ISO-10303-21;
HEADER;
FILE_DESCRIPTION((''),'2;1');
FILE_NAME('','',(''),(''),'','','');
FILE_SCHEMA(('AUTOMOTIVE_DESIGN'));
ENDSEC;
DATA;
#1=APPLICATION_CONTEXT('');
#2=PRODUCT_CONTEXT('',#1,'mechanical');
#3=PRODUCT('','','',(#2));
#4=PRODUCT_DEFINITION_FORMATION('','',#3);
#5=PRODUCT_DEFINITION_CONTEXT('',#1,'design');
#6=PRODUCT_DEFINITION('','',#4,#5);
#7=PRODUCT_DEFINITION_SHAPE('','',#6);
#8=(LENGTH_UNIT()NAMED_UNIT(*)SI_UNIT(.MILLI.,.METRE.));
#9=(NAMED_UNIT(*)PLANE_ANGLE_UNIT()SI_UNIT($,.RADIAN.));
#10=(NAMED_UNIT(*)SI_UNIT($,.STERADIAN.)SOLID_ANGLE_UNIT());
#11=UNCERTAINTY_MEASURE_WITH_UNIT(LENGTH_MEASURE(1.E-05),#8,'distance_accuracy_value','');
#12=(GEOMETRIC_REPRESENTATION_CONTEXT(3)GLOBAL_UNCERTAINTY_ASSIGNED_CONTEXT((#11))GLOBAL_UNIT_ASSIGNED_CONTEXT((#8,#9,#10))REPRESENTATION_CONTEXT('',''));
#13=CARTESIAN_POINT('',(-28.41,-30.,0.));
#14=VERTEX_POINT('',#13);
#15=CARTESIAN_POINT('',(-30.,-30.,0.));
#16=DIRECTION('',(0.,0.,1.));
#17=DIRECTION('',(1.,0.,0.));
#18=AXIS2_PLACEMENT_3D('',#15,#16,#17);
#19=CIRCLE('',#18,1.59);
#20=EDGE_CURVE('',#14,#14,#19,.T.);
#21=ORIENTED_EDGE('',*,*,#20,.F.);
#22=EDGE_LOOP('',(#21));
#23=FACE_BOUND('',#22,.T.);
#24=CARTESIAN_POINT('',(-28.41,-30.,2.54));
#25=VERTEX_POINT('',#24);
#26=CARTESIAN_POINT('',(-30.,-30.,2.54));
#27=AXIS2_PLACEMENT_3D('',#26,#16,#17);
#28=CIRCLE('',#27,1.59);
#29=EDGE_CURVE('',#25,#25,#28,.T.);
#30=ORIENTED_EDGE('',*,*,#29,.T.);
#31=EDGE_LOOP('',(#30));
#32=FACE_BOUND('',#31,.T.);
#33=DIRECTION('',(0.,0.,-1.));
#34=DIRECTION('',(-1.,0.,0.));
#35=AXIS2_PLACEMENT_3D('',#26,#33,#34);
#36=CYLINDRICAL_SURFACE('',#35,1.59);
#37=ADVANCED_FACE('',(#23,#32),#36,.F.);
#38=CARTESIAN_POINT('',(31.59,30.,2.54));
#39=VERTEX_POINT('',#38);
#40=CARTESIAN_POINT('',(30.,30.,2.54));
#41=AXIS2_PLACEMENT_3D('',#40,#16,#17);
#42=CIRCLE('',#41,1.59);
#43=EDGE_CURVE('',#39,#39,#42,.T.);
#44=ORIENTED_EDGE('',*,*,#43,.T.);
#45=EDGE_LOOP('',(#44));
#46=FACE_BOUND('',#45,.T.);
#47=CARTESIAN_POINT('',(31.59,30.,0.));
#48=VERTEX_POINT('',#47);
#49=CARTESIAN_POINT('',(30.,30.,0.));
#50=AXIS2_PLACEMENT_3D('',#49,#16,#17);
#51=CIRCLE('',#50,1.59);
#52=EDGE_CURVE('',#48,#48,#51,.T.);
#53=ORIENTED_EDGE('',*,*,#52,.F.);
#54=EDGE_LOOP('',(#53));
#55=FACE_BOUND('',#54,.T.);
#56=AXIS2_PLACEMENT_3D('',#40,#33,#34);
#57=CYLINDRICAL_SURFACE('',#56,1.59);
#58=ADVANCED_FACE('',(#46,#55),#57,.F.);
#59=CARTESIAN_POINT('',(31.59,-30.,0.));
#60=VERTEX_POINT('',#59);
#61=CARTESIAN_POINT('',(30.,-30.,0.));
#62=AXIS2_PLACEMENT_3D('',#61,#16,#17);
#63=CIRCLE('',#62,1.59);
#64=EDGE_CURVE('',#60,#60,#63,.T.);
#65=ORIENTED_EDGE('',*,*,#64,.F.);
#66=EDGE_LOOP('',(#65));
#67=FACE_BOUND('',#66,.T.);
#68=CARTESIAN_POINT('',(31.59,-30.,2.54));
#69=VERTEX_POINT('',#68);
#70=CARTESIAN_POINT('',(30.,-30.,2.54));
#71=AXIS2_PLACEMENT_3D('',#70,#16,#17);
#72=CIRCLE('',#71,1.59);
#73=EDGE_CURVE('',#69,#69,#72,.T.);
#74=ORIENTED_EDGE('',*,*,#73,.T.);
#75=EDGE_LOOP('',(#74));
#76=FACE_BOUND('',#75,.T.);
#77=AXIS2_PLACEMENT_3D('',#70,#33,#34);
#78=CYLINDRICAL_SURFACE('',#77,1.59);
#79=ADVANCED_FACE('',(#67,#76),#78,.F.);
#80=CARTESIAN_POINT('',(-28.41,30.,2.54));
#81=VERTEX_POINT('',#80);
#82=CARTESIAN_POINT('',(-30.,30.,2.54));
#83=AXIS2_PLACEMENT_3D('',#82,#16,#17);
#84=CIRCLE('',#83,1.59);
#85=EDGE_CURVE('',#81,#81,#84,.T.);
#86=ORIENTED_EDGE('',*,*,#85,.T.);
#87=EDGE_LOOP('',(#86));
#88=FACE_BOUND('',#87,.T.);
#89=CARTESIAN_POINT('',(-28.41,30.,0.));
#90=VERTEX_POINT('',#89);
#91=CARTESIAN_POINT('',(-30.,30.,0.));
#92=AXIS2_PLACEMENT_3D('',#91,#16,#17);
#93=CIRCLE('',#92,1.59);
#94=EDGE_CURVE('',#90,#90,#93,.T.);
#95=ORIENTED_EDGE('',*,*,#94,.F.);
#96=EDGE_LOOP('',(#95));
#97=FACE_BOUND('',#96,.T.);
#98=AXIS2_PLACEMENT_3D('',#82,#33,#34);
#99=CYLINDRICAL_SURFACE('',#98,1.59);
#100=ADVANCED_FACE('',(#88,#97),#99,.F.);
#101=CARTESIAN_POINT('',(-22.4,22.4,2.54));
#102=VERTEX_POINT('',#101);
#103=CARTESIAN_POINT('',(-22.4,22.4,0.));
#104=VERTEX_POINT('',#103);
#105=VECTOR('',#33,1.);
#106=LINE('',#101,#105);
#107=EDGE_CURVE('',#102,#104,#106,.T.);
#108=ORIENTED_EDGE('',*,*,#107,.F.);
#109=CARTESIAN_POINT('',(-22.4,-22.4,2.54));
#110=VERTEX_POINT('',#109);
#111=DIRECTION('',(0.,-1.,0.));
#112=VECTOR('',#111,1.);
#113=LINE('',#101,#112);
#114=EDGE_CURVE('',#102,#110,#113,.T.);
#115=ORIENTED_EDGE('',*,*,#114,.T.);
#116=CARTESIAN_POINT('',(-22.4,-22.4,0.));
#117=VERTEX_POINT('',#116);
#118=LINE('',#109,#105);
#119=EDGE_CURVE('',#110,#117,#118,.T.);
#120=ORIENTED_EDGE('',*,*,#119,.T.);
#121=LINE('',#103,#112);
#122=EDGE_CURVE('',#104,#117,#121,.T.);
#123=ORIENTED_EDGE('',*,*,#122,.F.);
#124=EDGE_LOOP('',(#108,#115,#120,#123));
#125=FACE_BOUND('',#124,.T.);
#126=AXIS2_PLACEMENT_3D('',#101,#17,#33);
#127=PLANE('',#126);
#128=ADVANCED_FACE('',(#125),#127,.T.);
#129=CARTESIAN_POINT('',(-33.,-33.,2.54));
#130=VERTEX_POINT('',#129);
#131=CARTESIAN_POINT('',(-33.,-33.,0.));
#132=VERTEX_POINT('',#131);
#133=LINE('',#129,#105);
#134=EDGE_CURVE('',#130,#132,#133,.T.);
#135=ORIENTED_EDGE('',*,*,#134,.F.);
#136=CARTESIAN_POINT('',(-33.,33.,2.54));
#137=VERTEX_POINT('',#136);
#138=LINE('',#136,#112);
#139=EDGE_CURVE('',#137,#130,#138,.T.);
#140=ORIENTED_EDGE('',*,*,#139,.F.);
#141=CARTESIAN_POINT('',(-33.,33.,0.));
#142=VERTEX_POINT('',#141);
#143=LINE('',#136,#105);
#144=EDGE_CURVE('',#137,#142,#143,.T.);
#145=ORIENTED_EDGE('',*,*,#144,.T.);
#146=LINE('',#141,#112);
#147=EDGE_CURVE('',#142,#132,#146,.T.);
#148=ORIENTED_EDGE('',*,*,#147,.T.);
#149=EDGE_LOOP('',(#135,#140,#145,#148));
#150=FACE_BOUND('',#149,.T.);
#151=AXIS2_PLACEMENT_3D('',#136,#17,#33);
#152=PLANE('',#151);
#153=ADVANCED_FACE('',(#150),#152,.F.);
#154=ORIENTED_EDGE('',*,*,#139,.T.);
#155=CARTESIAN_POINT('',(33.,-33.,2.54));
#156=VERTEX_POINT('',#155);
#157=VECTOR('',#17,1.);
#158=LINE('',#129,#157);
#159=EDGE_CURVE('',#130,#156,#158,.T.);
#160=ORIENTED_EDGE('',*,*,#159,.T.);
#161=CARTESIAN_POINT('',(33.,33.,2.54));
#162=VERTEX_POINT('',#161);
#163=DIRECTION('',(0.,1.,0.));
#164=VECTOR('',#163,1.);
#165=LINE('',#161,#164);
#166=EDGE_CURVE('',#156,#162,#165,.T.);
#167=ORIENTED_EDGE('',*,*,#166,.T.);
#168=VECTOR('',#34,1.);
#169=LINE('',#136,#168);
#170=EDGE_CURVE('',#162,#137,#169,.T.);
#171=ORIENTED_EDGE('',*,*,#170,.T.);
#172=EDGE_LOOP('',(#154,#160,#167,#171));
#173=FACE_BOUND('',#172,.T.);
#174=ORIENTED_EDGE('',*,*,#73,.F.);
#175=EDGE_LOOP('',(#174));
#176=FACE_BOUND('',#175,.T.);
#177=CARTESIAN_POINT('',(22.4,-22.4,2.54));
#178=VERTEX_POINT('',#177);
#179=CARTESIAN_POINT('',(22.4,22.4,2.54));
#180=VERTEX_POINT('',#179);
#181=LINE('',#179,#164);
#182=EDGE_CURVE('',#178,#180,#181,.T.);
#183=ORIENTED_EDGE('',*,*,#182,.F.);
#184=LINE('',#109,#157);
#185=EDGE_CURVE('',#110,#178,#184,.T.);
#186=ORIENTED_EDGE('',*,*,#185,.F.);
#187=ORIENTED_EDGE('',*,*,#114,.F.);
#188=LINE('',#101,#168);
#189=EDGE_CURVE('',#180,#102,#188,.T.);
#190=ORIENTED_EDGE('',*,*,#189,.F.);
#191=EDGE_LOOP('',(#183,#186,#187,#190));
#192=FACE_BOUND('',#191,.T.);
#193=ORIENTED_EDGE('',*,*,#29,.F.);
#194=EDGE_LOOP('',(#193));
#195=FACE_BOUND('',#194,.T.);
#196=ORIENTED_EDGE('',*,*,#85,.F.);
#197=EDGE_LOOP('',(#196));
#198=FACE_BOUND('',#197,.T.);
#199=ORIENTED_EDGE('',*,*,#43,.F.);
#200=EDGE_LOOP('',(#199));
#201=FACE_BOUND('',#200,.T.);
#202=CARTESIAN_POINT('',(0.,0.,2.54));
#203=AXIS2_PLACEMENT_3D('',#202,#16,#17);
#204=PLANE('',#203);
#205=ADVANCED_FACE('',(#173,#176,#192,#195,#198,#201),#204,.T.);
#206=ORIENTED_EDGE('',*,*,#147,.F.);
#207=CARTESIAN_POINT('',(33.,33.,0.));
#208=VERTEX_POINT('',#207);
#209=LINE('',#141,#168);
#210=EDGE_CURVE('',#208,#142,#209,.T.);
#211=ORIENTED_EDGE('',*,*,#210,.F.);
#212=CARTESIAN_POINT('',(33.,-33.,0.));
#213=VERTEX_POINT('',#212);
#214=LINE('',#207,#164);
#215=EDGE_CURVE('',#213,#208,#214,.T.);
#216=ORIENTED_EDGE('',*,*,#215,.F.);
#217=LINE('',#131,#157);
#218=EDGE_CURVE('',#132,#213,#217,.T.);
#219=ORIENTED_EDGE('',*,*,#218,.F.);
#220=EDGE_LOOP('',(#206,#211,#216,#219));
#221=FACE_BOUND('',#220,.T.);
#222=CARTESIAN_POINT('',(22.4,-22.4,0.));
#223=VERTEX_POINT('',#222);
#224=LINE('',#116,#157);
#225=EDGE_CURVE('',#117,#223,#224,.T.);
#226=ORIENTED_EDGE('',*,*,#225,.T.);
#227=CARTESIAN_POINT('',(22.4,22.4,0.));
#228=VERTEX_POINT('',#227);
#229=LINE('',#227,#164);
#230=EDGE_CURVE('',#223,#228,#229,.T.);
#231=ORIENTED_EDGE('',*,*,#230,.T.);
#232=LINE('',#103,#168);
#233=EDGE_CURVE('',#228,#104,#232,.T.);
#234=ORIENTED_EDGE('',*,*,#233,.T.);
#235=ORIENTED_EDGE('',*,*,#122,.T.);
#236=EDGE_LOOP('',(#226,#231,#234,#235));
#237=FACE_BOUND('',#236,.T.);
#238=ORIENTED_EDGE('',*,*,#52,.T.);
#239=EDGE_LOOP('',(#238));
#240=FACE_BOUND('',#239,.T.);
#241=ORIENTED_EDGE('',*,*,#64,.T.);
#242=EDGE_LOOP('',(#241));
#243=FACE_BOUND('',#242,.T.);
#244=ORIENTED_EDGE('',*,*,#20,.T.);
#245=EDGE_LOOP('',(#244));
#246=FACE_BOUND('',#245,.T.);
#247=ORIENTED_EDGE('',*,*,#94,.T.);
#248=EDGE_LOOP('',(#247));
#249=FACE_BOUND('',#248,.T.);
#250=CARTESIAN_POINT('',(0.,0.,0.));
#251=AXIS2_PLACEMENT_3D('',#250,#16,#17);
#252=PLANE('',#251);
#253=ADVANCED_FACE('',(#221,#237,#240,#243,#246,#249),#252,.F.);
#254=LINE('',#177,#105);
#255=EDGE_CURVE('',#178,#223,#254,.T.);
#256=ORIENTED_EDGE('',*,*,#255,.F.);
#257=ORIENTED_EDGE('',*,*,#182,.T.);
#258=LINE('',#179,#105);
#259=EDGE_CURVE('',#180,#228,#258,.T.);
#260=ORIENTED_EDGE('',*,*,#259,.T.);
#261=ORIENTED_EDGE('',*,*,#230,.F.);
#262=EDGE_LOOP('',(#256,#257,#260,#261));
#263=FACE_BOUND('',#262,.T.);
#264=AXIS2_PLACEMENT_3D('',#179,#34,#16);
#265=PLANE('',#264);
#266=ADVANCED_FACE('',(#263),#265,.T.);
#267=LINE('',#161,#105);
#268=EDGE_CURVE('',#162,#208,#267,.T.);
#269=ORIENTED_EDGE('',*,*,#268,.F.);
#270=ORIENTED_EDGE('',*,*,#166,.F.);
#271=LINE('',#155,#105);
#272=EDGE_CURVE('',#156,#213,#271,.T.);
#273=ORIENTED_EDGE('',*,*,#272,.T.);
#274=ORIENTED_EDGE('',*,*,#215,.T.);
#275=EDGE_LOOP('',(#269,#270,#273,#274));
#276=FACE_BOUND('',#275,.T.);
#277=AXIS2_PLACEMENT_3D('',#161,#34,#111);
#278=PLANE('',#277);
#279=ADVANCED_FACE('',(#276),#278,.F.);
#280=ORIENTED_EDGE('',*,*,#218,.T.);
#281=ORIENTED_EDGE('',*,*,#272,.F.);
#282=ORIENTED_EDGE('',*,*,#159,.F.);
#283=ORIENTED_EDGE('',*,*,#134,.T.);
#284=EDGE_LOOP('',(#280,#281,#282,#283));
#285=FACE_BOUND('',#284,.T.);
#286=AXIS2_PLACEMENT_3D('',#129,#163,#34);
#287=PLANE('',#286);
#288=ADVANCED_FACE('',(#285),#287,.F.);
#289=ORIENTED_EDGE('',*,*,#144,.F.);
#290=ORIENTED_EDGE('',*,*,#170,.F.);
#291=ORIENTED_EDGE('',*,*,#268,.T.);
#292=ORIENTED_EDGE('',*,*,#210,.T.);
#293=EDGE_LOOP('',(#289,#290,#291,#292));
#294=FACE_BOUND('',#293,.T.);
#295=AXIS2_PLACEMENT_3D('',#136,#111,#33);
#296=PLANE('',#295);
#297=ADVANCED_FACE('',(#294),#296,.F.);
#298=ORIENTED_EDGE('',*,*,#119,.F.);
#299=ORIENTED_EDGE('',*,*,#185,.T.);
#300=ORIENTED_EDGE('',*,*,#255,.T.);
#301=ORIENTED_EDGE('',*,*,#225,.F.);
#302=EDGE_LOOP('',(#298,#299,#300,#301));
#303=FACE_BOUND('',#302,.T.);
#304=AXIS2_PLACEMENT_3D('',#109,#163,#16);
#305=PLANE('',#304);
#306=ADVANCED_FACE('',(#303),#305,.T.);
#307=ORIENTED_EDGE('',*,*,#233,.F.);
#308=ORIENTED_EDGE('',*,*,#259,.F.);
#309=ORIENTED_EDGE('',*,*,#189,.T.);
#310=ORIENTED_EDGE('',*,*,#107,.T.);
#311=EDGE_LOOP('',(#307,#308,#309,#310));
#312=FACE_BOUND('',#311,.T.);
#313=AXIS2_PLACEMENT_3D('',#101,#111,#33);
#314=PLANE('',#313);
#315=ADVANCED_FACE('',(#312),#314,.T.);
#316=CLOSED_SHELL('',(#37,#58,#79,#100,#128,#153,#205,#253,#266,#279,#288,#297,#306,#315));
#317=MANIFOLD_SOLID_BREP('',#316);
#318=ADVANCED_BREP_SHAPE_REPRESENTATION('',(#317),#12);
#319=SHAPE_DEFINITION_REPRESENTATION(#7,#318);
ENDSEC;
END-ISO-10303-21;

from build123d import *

# Parameters (mm, degrees)
SKETCH1_W           = 66
SKETCH1_H           = 66
SKETCH1_R           = 1.59
SKETCH1_W_2         = 44.8
SKETCH1_H_2         = 44.8
BOSS_EXTRUDE1_DEPTH = 2.54


with BuildPart() as part:
    # Sketch1 → Boss-Extrude1 (new body)
    with BuildSketch(Plane.XY):
        Rectangle(SKETCH1_W, SKETCH1_H)
        with Locations((30, 30)):
            Circle(SKETCH1_R, mode=Mode.SUBTRACT)
        with Locations((-30, 30)):
            Circle(SKETCH1_R, mode=Mode.SUBTRACT)
        with Locations((-30, -30)):
            Circle(SKETCH1_R, mode=Mode.SUBTRACT)
        with Locations((30, -30)):
            Circle(SKETCH1_R, mode=Mode.SUBTRACT)
        Rectangle(SKETCH1_W_2, SKETCH1_H_2, mode=Mode.SUBTRACT)
    extrude(amount=BOSS_EXTRUDE1_DEPTH)


solid = part.part
